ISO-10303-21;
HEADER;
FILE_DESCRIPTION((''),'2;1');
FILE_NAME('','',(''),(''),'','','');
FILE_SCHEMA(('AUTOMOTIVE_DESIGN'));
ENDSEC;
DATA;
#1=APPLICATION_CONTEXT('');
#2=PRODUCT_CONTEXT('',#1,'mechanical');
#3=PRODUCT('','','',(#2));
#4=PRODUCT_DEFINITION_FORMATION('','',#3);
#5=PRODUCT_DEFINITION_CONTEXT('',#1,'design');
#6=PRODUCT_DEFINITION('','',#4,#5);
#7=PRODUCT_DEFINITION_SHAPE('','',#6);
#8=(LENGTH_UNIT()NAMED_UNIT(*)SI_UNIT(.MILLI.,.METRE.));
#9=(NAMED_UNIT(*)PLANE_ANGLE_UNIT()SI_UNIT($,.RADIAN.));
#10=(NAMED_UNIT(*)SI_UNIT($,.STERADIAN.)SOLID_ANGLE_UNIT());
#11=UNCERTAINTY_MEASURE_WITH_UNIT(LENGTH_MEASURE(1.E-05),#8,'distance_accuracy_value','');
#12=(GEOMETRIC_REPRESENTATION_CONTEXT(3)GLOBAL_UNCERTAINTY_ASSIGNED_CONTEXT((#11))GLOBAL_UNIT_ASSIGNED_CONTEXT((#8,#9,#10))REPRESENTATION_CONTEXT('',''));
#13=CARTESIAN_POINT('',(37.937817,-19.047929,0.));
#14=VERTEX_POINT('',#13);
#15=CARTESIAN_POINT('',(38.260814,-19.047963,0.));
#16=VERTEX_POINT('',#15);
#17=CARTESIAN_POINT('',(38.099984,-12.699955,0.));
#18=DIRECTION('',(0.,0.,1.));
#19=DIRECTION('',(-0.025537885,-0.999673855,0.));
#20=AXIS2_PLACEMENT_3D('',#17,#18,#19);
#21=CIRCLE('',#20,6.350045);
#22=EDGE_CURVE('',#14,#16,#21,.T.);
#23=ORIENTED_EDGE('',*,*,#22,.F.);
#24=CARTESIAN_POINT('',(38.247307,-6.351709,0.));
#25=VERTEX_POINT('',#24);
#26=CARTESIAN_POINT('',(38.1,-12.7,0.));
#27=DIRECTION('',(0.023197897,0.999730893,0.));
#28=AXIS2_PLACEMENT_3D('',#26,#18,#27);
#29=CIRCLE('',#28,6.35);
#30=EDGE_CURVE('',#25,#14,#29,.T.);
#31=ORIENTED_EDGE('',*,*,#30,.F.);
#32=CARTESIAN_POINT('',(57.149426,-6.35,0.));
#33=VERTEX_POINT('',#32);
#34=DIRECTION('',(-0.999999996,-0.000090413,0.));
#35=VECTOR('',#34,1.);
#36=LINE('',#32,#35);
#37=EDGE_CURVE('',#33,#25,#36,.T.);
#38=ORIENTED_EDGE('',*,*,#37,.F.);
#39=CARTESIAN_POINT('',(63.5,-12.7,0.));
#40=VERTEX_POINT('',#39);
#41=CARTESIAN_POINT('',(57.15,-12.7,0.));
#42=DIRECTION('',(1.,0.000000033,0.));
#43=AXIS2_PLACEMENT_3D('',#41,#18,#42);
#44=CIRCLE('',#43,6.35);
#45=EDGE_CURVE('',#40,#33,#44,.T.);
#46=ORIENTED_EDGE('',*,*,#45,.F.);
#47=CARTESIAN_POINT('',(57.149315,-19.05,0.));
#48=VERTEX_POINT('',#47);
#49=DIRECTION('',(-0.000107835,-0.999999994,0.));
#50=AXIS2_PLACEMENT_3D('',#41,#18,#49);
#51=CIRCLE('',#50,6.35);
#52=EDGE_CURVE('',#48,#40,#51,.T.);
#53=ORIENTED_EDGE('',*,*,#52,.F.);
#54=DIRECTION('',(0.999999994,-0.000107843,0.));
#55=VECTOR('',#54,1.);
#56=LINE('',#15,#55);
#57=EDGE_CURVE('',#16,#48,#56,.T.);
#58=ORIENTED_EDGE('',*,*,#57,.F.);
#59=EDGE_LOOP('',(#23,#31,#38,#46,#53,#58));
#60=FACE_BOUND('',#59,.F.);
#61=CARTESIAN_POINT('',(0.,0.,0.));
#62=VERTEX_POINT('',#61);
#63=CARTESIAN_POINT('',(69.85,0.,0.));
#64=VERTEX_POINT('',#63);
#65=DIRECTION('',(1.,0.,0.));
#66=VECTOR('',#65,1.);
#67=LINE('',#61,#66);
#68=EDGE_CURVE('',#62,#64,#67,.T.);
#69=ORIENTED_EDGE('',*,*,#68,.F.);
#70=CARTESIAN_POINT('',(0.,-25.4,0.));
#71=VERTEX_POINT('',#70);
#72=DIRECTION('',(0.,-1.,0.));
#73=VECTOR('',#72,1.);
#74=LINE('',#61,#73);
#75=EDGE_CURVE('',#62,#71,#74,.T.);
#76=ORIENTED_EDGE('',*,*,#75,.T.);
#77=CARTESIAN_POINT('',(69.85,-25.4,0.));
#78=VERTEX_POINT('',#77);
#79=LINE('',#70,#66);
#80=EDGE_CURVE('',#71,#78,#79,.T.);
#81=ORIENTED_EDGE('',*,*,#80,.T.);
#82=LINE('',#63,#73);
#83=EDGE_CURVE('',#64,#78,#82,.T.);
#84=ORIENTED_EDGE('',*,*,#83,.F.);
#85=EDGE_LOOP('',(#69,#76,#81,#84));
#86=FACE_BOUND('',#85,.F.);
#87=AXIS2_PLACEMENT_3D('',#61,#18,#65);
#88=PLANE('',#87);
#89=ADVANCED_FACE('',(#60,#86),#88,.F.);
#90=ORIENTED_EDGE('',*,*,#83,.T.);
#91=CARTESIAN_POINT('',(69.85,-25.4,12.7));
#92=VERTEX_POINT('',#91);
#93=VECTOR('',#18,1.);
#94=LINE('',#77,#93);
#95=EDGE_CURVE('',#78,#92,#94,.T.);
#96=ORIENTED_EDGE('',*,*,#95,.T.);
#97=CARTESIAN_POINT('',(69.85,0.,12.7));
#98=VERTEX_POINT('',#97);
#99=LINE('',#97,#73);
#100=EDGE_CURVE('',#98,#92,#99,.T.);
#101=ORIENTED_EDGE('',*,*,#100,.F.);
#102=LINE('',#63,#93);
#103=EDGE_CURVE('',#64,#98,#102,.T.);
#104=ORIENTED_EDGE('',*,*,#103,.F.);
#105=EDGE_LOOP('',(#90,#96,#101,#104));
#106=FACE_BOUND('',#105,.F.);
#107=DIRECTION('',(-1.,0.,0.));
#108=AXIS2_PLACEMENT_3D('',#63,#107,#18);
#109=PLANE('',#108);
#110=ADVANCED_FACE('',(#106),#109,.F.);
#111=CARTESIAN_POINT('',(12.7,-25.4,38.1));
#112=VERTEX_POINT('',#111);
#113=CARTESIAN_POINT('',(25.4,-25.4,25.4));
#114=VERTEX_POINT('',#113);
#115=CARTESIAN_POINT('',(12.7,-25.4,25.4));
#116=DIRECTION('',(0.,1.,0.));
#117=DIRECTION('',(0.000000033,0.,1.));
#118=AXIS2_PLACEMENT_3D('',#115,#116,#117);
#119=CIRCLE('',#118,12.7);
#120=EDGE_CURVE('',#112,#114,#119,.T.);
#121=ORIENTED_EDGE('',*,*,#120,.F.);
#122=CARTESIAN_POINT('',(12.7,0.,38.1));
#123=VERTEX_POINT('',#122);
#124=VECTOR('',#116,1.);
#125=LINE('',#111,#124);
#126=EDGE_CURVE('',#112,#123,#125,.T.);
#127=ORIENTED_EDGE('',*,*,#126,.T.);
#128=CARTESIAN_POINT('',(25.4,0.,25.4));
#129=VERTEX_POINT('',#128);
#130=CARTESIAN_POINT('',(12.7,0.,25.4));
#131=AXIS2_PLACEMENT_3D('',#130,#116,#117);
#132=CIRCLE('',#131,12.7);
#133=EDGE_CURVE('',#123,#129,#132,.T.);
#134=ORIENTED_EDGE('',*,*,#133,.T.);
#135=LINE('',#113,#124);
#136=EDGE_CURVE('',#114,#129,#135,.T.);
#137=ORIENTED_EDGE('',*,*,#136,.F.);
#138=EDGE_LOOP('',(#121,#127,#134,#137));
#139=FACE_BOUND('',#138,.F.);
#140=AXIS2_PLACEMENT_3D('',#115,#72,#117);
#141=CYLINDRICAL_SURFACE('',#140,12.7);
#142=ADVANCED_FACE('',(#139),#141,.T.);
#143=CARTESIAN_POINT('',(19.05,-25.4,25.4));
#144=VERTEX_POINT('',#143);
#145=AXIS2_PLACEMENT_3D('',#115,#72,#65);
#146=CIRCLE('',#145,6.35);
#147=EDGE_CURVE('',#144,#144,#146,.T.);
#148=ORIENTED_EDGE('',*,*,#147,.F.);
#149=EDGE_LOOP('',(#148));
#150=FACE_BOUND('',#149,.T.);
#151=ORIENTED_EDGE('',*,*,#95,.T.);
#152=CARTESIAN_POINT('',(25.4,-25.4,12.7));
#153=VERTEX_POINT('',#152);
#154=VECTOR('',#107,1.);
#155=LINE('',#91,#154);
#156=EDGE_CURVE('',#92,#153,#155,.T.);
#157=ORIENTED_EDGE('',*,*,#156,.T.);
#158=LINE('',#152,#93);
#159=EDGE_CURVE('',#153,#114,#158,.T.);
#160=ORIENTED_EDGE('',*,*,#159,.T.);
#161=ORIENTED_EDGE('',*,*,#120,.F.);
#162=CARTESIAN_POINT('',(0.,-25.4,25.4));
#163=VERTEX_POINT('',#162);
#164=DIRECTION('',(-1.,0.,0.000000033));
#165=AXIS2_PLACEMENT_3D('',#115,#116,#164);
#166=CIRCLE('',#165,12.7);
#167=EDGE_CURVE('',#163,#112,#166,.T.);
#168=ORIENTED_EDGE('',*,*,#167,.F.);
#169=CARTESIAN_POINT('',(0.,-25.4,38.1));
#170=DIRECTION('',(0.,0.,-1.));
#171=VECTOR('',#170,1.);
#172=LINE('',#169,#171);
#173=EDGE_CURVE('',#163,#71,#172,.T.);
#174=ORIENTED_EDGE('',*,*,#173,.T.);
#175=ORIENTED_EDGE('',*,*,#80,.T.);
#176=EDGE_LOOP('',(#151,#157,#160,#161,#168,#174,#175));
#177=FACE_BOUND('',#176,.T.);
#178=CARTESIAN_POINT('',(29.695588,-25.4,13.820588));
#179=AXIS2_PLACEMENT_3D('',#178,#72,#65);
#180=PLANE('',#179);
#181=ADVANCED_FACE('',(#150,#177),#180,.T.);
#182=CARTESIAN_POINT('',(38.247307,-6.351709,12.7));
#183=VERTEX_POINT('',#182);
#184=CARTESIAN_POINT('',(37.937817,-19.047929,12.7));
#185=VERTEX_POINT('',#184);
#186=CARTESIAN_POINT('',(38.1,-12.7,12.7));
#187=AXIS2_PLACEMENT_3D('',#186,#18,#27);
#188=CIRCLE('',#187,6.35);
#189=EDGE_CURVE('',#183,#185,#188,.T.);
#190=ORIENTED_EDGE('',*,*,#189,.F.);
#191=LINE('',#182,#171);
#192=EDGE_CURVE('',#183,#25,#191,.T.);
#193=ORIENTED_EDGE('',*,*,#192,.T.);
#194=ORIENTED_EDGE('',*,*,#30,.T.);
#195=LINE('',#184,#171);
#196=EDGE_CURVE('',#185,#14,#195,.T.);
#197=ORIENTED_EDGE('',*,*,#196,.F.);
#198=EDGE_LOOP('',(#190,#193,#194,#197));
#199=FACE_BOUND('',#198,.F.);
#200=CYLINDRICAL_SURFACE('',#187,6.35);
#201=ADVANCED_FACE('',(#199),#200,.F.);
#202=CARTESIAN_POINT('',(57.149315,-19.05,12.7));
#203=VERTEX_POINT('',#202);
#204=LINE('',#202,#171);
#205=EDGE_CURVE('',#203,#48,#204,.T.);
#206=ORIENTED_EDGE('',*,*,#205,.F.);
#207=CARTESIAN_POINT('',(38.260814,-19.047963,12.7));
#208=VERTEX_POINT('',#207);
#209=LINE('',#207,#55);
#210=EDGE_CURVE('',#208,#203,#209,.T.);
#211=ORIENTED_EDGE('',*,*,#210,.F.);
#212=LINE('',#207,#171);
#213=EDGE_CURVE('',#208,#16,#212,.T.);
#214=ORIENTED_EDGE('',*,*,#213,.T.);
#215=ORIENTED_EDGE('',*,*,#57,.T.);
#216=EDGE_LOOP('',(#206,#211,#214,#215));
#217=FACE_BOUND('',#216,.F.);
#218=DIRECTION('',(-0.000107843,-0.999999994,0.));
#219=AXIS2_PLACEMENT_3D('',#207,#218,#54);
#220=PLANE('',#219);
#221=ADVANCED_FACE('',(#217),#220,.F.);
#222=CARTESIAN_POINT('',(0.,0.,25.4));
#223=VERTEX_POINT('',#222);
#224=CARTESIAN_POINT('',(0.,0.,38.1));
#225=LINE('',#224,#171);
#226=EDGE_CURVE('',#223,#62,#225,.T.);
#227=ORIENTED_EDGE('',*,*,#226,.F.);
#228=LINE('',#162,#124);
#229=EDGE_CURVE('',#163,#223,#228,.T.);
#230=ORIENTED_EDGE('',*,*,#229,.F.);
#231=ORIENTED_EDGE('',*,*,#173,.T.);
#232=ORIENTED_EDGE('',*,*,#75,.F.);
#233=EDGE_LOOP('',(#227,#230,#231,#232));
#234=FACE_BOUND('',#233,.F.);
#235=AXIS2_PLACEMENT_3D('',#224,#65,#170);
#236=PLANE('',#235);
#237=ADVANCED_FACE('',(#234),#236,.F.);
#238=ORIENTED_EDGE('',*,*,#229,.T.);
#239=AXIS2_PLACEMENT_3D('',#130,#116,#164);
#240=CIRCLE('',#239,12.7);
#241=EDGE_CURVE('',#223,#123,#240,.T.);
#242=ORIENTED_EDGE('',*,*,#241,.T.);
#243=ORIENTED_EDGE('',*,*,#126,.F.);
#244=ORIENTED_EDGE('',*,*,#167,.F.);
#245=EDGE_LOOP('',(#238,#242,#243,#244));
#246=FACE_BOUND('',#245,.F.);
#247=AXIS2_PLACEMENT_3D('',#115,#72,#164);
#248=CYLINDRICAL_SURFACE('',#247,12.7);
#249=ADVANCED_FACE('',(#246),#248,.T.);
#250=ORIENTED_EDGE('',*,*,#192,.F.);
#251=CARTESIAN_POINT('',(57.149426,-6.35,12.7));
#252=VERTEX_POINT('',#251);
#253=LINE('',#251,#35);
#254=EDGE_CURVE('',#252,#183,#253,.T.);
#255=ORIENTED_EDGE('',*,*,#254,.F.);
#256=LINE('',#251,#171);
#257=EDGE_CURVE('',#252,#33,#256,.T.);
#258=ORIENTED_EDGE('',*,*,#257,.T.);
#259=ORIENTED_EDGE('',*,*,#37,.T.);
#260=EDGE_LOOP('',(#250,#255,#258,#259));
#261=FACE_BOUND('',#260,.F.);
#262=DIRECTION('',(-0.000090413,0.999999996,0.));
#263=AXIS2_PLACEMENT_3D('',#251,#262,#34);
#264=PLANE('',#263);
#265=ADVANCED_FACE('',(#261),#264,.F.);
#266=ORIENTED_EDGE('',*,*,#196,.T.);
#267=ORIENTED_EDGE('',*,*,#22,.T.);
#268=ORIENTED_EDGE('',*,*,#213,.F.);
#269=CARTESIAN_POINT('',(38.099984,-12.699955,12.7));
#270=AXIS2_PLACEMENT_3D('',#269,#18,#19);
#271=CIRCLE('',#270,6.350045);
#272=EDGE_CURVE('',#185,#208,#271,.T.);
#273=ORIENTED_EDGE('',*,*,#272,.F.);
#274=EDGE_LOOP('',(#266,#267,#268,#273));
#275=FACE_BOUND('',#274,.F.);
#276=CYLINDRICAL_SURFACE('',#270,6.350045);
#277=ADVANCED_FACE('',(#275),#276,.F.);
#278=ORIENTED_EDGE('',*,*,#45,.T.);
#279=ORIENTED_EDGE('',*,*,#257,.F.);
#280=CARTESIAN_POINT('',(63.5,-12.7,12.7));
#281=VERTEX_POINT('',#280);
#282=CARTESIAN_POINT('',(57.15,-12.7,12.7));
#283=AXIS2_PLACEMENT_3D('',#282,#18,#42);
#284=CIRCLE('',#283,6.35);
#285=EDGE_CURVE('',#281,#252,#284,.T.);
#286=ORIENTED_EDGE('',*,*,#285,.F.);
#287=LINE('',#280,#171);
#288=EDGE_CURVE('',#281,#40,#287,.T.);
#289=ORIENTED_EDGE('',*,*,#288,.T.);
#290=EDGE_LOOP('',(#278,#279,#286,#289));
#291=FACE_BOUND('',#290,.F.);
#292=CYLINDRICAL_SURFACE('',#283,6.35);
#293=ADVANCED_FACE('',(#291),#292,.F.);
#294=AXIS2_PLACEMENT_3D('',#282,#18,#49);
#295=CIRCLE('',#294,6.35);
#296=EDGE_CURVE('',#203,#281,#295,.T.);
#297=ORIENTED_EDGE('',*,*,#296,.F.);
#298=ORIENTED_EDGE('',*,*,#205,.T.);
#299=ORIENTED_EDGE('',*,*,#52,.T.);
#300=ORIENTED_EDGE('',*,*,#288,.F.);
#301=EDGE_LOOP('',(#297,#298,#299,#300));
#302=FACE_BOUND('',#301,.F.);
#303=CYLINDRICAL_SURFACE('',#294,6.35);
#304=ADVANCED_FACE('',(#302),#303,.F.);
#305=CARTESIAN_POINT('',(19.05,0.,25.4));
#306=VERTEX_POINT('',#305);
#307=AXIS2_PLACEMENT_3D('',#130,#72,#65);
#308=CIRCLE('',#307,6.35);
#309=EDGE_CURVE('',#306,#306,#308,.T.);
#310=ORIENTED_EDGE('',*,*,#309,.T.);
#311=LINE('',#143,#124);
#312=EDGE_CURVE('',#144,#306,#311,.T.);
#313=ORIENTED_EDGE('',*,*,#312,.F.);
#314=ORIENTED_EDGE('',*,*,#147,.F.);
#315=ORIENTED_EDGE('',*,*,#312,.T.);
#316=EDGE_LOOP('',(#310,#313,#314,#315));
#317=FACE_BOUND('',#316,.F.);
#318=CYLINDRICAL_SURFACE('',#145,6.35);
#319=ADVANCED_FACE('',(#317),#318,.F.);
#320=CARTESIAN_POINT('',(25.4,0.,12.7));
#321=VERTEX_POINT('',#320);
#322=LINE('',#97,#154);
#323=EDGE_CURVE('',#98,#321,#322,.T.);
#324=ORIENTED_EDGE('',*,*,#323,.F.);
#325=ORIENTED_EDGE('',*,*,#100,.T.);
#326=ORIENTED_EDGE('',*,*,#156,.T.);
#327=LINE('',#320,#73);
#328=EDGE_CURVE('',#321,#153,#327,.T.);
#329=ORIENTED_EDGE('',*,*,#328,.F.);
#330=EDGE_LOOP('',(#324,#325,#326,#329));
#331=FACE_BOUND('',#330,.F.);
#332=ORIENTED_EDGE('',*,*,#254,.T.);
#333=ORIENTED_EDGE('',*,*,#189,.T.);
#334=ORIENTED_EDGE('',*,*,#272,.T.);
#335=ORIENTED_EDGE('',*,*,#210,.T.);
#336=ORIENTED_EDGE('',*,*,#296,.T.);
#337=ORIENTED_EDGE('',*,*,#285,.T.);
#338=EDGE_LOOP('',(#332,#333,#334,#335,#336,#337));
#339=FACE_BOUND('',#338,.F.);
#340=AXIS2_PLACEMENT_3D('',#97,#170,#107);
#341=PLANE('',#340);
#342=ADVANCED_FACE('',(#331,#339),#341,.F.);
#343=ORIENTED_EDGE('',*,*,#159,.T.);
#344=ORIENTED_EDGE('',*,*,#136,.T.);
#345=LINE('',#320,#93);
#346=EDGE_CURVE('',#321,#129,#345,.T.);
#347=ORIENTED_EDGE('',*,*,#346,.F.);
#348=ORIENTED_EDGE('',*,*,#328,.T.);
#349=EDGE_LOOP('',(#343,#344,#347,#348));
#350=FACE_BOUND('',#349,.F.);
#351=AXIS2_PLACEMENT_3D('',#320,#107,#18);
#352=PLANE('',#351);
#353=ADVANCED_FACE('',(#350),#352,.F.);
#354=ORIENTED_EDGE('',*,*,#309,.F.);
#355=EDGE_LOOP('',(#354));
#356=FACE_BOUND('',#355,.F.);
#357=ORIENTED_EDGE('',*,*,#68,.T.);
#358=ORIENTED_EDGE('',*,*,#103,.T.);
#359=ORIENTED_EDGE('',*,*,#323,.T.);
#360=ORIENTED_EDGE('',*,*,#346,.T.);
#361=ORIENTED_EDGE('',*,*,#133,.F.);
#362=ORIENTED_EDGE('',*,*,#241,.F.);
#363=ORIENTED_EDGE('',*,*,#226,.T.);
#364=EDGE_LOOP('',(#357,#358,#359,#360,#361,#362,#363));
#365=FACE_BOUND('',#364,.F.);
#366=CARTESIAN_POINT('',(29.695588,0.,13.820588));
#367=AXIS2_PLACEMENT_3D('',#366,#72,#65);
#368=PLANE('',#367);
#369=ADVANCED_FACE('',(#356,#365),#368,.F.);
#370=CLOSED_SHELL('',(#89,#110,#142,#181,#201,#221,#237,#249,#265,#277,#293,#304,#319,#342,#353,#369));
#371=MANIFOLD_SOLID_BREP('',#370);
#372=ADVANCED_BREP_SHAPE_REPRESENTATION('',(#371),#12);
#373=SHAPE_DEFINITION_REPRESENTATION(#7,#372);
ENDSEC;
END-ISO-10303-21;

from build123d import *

# Parameters (mm, degrees)
F1_DEPTH = 25.4
F2_R     = 6.35
F3_DEPTH = 25.4
F4_DEPTH = 25.4
F7_DEPTH = 12.7


with BuildPart() as f1:
    # F0 (on Front) → F1 (new body)
    with BuildSketch(Plane.XZ):
        Polygon((25.4, 38.1), (0, 38.1), (0, 0), (69.85, 0), (69.85, 12.7), (25.4, 12.7), align=None)
    extrude(amount=F1_DEPTH)

    # F2 (on face) → F3 (cut)
    with BuildSketch(Plane.XZ.offset(25.4)):
        with Locations((12.7, 25.4)):
            Circle(F2_R)
    extrude(amount=-F3_DEPTH, mode=Mode.SUBTRACT)

    # F2 (on face) → F4 (cut)
    with BuildSketch(Plane.XZ.offset(25.4)):
        with BuildLine():
            ThreePointArc((0, 25.4), (3.719744, 34.380256), (12.7, 38.1))
            Line((12.7, 38.1), (0, 38.1))
            Line((0, 38.1), (0, 25.4))
        make_face()
        with BuildLine():
            ThreePointArc((12.7, 38.1), (21.680256, 34.380256), (25.4, 25.4))
            Line((25.4, 25.4), (25.4, 38.1))
            Line((25.4, 38.1), (12.7, 38.1))
        make_face()
    extrude(amount=-F4_DEPTH, mode=Mode.SUBTRACT)

    # F6 (on face) → F7 (cut)
    with BuildSketch(Plane.XY.offset(12.7)):
        with BuildLine():
            ThreePointArc((38.260814, -19.047963), (42.646629, -17.132907), (44.45, -12.7))
            ThreePointArc((44.45, -12.7), (42.64191, -8.262258), (38.247307, -6.351709))
            ThreePointArc((38.247307, -6.351709), (31.751886, -12.545255), (37.937817, -19.047929))
            Line((37.937817, -19.047929), (38.260814, -19.047963))
        make_face()
        with BuildLine():
            ThreePointArc((38.247307, -6.351709), (42.64191, -8.262258), (44.45, -12.7))
            ThreePointArc((44.45, -12.7), (42.646629, -17.132907), (38.260814, -19.047963))
            Line((38.260814, -19.047963), (57.149315, -19.05))
            ThreePointArc((57.149315, -19.05), (50.8, -12.699945), (57.149426, -6.35))
            Line((57.149426, -6.35), (38.247307, -6.351709))
        make_face()
        with BuildLine():
            ThreePointArc((37.937817, -19.047929), (38.099315, -19.05), (38.260814, -19.047963))
            Line((38.260814, -19.047963), (37.937817, -19.047929))
        make_face()
        with BuildLine():
            ThreePointArc((63.5, -12.7), (61.639925, -8.209669), (57.149426, -6.35))
            ThreePointArc((57.149426, -6.35), (50.8, -12.699945), (57.149315, -19.05))
            ThreePointArc((57.149315, -19.05), (61.639886, -17.19037), (63.5, -12.7))
        make_face()
    extrude(amount=-F7_DEPTH, mode=Mode.SUBTRACT)


solid = f1.part
